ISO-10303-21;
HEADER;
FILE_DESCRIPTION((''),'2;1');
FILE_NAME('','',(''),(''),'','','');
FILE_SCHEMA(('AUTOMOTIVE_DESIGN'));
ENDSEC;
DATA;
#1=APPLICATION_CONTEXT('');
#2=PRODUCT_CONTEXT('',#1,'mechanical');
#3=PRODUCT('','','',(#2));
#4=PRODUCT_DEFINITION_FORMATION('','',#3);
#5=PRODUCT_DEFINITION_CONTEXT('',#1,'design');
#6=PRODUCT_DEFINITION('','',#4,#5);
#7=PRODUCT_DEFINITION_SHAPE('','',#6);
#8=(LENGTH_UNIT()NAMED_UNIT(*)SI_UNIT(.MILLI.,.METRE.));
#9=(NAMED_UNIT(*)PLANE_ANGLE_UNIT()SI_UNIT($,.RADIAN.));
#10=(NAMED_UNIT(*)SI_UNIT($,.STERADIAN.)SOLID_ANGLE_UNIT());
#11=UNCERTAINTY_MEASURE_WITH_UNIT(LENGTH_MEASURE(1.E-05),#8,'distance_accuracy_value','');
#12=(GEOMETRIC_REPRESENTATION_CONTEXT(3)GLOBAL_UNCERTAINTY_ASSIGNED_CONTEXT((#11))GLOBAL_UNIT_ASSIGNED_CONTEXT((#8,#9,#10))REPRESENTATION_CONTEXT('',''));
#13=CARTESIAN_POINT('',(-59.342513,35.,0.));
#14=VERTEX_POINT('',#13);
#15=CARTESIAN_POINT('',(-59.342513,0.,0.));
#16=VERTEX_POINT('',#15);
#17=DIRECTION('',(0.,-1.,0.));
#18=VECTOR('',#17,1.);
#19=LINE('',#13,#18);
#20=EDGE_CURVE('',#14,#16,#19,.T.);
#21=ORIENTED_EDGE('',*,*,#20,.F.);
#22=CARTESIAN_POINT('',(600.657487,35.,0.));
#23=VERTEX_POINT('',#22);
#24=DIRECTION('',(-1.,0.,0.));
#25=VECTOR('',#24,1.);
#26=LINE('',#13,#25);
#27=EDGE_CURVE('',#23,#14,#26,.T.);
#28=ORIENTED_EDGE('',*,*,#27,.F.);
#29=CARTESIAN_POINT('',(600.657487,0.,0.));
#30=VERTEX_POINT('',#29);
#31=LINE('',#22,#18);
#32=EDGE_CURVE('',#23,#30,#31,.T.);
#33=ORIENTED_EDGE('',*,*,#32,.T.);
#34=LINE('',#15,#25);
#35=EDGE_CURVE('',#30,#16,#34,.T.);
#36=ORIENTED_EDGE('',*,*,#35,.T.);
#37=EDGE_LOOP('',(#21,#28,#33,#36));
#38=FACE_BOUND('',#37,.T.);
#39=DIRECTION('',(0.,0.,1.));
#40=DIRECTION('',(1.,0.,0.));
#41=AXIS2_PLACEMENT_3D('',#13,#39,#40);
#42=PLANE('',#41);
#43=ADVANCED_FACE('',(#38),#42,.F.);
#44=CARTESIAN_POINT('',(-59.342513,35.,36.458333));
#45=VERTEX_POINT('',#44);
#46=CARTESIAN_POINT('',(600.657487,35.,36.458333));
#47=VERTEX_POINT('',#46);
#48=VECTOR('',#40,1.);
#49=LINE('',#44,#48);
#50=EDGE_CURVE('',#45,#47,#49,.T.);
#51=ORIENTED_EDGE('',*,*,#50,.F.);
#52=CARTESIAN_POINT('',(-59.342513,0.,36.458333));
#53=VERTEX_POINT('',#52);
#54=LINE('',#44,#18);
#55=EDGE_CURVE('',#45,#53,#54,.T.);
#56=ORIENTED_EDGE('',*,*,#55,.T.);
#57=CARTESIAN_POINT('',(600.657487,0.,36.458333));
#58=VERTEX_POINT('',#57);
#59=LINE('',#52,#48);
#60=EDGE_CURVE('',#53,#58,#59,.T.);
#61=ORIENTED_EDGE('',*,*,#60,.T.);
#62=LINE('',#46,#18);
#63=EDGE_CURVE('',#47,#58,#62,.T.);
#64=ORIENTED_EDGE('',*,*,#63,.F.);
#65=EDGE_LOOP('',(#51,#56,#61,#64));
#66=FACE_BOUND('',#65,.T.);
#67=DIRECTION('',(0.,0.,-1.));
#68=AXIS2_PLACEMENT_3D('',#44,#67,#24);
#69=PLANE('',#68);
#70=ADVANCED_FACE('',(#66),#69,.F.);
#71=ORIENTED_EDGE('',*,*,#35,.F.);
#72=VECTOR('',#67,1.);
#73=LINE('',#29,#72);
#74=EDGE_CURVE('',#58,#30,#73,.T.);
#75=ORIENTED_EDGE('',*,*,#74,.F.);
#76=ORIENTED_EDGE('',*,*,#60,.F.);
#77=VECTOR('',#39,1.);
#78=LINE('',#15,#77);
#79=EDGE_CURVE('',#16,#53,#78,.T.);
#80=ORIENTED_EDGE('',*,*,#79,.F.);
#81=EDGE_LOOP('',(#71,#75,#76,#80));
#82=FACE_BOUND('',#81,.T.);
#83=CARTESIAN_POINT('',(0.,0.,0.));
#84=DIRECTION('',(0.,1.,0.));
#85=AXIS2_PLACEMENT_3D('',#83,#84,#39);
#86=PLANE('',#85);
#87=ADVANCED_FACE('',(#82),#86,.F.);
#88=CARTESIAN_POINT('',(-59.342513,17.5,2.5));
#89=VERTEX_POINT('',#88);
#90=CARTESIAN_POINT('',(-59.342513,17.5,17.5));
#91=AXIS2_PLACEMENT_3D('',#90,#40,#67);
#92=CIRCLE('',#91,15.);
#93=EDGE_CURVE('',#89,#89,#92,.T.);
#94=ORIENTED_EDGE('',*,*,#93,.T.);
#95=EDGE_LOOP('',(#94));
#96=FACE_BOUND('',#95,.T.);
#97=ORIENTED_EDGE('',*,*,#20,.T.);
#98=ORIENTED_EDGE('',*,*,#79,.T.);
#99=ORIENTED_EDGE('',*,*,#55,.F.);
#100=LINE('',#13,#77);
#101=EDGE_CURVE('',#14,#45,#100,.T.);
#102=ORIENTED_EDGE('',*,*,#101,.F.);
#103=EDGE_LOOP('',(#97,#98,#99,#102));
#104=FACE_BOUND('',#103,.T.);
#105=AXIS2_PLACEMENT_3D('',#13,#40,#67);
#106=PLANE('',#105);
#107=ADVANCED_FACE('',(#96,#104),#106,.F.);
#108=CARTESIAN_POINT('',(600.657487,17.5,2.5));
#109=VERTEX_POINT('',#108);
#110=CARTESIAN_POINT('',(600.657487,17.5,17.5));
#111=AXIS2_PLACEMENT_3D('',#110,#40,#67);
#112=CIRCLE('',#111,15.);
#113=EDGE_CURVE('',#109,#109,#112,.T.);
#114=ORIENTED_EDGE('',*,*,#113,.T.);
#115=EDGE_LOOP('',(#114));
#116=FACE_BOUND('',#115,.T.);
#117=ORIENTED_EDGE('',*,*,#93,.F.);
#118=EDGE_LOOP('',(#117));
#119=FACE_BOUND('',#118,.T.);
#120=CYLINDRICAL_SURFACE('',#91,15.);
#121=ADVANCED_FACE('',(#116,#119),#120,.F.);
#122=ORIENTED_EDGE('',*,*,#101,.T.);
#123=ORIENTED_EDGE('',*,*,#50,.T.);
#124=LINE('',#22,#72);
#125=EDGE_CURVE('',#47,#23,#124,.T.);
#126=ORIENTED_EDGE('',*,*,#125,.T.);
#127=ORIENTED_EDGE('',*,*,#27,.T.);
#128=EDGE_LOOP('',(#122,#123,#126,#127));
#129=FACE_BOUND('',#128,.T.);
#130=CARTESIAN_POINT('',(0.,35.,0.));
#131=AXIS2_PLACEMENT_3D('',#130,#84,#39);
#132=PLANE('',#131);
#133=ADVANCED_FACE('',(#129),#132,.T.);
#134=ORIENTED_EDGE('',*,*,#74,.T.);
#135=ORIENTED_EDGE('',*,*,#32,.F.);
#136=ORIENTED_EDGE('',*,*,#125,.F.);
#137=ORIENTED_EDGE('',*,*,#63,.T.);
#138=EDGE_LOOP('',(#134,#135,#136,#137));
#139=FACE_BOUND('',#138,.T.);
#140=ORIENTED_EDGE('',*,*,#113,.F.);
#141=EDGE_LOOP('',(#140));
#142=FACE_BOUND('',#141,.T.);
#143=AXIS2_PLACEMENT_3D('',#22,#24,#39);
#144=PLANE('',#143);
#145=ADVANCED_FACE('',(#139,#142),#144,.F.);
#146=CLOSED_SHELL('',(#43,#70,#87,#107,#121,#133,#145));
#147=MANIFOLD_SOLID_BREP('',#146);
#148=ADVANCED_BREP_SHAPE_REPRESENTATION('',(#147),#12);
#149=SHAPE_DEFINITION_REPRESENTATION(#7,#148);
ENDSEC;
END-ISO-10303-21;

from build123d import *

# Parameters (mm, degrees)
SKETCH1_W           = 660
SKETCH1_H           = 36.458333333
BOSS_EXTRUDE1_DEPTH = 35
SKETCH2_R           = 15
CUT_EXTRUDE1_DEPTH  = 661


with BuildPart() as part:
    # Sketch1 → Boss-Extrude1 (new body)
    with BuildSketch(Plane(origin=(0, 0, 0), x_dir=(1, 0, 0), z_dir=(0, 1, 0))):
        with Locations((270.657487282, -18.229166666)):
            Rectangle(SKETCH1_W, SKETCH1_H)
    extrude(amount=BOSS_EXTRUDE1_DEPTH)

    # Sketch2 → Cut-Extrude1 (cut, through all)
    with BuildSketch(Plane(origin=(600.657487282, 0, 0), x_dir=(0, 0, -1), z_dir=(1, 0, 0))):
        with Locations((-17.5, 17.5)):
            Circle(SKETCH2_R)
    extrude(amount=-CUT_EXTRUDE1_DEPTH, mode=Mode.SUBTRACT)


solid = part.part
